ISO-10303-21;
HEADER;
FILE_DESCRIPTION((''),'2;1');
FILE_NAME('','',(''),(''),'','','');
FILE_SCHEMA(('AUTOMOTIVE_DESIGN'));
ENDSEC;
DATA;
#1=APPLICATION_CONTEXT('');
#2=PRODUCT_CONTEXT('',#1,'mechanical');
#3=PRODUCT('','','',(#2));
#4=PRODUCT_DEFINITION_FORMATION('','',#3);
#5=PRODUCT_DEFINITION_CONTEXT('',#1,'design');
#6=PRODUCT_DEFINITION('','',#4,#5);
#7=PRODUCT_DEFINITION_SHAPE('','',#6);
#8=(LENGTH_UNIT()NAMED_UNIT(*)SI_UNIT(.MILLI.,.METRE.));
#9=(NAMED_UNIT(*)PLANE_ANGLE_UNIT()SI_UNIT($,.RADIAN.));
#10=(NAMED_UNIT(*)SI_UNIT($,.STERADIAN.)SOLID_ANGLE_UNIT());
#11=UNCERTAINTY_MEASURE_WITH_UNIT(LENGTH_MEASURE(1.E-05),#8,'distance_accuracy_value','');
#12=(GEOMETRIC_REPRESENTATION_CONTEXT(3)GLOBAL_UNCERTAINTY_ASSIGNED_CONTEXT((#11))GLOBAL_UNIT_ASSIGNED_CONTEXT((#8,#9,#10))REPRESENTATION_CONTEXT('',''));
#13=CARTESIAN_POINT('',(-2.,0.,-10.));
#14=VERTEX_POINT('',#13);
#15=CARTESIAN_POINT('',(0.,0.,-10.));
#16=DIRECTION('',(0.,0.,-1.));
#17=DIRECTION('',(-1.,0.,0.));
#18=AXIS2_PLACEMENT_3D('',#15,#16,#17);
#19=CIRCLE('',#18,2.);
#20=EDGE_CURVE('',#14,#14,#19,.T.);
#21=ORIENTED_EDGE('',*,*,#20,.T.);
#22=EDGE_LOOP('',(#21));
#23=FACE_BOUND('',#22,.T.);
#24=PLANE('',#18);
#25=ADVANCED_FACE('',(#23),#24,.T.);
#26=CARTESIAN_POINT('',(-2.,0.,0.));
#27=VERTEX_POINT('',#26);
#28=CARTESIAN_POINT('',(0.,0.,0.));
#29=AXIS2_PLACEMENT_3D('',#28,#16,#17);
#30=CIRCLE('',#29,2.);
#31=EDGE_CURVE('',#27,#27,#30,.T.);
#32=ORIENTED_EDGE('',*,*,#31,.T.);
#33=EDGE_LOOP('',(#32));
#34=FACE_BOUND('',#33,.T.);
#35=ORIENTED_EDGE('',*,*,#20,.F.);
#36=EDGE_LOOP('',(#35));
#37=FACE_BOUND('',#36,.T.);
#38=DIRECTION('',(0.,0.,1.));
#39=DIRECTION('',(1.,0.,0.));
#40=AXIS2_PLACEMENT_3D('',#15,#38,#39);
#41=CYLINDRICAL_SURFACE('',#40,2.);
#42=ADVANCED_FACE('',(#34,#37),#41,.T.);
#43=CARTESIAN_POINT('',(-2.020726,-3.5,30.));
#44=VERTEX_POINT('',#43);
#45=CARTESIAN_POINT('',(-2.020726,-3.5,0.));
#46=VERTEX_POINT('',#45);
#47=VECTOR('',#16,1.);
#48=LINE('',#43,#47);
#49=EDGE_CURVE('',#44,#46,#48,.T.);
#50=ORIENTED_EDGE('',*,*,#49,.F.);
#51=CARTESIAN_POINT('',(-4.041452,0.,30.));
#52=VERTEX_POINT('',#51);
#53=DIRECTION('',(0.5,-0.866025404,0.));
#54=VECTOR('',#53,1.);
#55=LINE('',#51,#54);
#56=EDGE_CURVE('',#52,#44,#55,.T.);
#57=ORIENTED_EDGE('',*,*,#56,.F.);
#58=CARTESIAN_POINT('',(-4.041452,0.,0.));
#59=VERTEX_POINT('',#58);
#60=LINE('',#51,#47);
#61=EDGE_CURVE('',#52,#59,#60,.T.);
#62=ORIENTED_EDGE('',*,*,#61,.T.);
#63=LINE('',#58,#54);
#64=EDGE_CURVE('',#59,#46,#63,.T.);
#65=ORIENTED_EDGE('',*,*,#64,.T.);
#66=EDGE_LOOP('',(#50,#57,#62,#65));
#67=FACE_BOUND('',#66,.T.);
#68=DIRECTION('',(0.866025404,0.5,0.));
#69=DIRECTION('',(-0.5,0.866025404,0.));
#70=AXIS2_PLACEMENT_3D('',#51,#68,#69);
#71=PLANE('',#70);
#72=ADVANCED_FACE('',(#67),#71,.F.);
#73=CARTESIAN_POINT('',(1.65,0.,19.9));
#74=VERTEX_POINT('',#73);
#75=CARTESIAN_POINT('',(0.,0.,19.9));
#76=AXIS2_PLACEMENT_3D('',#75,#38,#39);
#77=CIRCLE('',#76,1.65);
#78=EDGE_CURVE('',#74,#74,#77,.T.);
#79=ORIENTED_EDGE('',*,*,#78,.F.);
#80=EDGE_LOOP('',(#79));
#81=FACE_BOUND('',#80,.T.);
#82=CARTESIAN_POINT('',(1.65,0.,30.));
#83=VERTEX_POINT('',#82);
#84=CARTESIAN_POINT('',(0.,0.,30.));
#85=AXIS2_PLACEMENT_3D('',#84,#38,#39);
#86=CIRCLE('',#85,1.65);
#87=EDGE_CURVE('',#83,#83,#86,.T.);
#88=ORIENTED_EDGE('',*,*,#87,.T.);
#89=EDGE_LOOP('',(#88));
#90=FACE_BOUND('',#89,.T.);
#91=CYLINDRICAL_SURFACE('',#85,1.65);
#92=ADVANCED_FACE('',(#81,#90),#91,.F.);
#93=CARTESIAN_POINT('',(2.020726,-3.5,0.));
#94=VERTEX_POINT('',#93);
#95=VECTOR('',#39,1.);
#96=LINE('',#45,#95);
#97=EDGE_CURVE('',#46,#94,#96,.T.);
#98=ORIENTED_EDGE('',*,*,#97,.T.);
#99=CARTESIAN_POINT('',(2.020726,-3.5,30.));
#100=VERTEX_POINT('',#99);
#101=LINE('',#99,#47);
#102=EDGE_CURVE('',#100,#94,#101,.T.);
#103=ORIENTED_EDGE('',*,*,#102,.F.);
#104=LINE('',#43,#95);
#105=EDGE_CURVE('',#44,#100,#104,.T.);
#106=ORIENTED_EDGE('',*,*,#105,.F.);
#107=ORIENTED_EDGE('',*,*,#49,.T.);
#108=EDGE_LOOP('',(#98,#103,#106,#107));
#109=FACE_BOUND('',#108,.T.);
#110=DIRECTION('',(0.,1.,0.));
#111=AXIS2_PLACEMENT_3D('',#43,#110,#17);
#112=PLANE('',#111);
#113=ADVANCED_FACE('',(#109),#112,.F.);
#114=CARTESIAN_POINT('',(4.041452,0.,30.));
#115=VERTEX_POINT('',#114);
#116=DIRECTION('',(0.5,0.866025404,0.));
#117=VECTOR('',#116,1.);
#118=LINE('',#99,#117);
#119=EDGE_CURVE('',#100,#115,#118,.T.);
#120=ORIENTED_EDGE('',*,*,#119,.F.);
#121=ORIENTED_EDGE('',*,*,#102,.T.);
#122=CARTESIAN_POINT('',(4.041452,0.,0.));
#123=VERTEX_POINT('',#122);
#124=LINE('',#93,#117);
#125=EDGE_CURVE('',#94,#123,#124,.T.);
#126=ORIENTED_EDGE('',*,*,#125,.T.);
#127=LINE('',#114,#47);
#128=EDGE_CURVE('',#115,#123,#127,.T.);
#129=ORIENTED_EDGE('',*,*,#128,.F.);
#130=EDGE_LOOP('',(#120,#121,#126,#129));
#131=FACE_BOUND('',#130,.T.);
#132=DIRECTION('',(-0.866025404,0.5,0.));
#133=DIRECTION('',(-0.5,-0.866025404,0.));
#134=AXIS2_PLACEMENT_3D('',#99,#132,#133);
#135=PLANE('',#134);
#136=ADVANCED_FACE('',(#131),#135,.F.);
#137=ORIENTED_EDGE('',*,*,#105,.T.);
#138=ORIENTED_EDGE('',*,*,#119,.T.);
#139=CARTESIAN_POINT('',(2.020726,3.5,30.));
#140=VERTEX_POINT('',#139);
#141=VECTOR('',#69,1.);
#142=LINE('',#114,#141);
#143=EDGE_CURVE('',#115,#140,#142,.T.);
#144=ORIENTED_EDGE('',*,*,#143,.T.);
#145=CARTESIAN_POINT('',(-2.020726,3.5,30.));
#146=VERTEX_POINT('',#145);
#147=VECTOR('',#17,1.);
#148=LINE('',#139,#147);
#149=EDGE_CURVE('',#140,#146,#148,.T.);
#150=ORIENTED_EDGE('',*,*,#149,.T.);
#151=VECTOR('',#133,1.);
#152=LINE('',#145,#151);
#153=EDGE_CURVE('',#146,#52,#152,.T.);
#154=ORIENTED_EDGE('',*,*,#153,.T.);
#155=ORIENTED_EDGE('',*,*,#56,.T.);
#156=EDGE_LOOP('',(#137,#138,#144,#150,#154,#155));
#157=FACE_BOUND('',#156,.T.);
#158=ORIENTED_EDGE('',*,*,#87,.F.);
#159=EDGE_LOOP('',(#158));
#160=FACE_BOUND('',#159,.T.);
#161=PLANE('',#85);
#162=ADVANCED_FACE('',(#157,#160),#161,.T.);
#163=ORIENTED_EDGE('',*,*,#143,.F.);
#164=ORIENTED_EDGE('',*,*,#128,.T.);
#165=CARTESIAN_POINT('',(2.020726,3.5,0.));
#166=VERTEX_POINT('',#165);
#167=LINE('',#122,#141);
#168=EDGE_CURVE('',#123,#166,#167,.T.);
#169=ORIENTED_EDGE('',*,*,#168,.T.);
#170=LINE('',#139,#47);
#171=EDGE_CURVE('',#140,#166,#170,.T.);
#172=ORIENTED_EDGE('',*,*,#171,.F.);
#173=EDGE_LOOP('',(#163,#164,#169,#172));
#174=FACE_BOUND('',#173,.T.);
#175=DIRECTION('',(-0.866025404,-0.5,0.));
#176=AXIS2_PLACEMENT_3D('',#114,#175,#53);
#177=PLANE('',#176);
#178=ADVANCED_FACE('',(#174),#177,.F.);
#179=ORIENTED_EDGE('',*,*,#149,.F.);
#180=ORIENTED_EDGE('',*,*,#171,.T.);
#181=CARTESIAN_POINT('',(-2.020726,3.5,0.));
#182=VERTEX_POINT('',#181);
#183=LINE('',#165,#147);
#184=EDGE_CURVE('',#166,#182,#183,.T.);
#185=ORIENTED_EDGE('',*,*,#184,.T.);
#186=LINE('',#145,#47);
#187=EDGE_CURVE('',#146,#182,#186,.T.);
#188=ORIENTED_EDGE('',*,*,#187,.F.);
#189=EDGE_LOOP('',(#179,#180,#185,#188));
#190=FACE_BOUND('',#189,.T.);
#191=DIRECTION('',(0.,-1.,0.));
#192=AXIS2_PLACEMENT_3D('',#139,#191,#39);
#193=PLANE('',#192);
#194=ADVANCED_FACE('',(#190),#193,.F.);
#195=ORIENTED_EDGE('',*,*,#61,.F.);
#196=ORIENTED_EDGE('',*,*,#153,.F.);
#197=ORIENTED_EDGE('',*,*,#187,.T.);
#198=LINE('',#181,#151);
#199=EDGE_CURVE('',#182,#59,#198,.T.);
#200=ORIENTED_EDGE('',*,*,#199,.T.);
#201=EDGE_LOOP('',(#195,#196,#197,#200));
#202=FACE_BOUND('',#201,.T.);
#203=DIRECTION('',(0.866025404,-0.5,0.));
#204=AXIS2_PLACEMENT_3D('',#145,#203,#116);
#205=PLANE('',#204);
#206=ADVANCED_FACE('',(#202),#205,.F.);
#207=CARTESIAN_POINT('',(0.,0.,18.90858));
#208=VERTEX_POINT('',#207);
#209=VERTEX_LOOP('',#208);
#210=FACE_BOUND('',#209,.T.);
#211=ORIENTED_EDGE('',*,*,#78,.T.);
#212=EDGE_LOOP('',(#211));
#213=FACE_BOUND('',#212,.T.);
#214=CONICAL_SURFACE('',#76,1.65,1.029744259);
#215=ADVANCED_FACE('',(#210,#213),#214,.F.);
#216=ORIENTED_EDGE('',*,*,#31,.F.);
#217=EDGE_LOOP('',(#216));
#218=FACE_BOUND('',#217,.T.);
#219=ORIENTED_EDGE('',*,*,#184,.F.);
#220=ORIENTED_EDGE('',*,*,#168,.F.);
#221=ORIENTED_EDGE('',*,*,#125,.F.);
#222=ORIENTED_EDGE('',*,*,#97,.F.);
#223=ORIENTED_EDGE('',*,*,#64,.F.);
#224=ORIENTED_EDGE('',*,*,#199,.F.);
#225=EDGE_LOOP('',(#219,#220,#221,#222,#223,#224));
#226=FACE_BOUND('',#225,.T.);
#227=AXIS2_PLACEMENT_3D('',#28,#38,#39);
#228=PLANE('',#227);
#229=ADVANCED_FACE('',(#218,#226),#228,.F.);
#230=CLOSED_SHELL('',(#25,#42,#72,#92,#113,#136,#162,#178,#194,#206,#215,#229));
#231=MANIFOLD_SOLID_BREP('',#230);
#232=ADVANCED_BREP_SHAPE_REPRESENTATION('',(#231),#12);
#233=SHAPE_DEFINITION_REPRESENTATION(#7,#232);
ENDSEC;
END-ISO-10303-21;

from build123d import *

# Parameters (mm, degrees)
EXTRUDE_1_DEPTH = 30
SKETCH_4_R      = 2
EXTRUDE_2_DEPTH = 10
M4X0_7_1_D      = 3.3
M4X0_7_1_DEPTH  = 10.1
M4X0_7_1_TIP    = 0.991420021


with BuildPart() as part:
    # 草圖1 → 填料-伸長1 (new body)
    with BuildSketch(Plane.XY):
        Polygon((-2.020725942, 3.5), (-4.041451884, 0), (-2.020725942, -3.5), (2.020725942, -3.5), (4.041451884, 0), (2.020725942, 3.5), align=None)
    extrude(amount=EXTRUDE_1_DEPTH)

    # 草圖4 → 填料-伸長2 (add)
    with BuildSketch(Plane(origin=(0, 0, 0), x_dir=(-1, 0, 0), z_dir=(0, 0, -1))):
        Circle(SKETCH_4_R)
    extrude(amount=EXTRUDE_2_DEPTH)

    # M4x0.7 螺紋孔1
    with Locations(Plane.XY.offset(30)):
        with Locations((0, 0)):
            Hole(M4X0_7_1_D / 2, depth=M4X0_7_1_DEPTH)
            with Locations((0, 0, -(M4X0_7_1_DEPTH + M4X0_7_1_TIP / 2))):  # 118° drill point
                Cone(0, M4X0_7_1_D / 2, M4X0_7_1_TIP, mode=Mode.SUBTRACT)


solid = part.part
